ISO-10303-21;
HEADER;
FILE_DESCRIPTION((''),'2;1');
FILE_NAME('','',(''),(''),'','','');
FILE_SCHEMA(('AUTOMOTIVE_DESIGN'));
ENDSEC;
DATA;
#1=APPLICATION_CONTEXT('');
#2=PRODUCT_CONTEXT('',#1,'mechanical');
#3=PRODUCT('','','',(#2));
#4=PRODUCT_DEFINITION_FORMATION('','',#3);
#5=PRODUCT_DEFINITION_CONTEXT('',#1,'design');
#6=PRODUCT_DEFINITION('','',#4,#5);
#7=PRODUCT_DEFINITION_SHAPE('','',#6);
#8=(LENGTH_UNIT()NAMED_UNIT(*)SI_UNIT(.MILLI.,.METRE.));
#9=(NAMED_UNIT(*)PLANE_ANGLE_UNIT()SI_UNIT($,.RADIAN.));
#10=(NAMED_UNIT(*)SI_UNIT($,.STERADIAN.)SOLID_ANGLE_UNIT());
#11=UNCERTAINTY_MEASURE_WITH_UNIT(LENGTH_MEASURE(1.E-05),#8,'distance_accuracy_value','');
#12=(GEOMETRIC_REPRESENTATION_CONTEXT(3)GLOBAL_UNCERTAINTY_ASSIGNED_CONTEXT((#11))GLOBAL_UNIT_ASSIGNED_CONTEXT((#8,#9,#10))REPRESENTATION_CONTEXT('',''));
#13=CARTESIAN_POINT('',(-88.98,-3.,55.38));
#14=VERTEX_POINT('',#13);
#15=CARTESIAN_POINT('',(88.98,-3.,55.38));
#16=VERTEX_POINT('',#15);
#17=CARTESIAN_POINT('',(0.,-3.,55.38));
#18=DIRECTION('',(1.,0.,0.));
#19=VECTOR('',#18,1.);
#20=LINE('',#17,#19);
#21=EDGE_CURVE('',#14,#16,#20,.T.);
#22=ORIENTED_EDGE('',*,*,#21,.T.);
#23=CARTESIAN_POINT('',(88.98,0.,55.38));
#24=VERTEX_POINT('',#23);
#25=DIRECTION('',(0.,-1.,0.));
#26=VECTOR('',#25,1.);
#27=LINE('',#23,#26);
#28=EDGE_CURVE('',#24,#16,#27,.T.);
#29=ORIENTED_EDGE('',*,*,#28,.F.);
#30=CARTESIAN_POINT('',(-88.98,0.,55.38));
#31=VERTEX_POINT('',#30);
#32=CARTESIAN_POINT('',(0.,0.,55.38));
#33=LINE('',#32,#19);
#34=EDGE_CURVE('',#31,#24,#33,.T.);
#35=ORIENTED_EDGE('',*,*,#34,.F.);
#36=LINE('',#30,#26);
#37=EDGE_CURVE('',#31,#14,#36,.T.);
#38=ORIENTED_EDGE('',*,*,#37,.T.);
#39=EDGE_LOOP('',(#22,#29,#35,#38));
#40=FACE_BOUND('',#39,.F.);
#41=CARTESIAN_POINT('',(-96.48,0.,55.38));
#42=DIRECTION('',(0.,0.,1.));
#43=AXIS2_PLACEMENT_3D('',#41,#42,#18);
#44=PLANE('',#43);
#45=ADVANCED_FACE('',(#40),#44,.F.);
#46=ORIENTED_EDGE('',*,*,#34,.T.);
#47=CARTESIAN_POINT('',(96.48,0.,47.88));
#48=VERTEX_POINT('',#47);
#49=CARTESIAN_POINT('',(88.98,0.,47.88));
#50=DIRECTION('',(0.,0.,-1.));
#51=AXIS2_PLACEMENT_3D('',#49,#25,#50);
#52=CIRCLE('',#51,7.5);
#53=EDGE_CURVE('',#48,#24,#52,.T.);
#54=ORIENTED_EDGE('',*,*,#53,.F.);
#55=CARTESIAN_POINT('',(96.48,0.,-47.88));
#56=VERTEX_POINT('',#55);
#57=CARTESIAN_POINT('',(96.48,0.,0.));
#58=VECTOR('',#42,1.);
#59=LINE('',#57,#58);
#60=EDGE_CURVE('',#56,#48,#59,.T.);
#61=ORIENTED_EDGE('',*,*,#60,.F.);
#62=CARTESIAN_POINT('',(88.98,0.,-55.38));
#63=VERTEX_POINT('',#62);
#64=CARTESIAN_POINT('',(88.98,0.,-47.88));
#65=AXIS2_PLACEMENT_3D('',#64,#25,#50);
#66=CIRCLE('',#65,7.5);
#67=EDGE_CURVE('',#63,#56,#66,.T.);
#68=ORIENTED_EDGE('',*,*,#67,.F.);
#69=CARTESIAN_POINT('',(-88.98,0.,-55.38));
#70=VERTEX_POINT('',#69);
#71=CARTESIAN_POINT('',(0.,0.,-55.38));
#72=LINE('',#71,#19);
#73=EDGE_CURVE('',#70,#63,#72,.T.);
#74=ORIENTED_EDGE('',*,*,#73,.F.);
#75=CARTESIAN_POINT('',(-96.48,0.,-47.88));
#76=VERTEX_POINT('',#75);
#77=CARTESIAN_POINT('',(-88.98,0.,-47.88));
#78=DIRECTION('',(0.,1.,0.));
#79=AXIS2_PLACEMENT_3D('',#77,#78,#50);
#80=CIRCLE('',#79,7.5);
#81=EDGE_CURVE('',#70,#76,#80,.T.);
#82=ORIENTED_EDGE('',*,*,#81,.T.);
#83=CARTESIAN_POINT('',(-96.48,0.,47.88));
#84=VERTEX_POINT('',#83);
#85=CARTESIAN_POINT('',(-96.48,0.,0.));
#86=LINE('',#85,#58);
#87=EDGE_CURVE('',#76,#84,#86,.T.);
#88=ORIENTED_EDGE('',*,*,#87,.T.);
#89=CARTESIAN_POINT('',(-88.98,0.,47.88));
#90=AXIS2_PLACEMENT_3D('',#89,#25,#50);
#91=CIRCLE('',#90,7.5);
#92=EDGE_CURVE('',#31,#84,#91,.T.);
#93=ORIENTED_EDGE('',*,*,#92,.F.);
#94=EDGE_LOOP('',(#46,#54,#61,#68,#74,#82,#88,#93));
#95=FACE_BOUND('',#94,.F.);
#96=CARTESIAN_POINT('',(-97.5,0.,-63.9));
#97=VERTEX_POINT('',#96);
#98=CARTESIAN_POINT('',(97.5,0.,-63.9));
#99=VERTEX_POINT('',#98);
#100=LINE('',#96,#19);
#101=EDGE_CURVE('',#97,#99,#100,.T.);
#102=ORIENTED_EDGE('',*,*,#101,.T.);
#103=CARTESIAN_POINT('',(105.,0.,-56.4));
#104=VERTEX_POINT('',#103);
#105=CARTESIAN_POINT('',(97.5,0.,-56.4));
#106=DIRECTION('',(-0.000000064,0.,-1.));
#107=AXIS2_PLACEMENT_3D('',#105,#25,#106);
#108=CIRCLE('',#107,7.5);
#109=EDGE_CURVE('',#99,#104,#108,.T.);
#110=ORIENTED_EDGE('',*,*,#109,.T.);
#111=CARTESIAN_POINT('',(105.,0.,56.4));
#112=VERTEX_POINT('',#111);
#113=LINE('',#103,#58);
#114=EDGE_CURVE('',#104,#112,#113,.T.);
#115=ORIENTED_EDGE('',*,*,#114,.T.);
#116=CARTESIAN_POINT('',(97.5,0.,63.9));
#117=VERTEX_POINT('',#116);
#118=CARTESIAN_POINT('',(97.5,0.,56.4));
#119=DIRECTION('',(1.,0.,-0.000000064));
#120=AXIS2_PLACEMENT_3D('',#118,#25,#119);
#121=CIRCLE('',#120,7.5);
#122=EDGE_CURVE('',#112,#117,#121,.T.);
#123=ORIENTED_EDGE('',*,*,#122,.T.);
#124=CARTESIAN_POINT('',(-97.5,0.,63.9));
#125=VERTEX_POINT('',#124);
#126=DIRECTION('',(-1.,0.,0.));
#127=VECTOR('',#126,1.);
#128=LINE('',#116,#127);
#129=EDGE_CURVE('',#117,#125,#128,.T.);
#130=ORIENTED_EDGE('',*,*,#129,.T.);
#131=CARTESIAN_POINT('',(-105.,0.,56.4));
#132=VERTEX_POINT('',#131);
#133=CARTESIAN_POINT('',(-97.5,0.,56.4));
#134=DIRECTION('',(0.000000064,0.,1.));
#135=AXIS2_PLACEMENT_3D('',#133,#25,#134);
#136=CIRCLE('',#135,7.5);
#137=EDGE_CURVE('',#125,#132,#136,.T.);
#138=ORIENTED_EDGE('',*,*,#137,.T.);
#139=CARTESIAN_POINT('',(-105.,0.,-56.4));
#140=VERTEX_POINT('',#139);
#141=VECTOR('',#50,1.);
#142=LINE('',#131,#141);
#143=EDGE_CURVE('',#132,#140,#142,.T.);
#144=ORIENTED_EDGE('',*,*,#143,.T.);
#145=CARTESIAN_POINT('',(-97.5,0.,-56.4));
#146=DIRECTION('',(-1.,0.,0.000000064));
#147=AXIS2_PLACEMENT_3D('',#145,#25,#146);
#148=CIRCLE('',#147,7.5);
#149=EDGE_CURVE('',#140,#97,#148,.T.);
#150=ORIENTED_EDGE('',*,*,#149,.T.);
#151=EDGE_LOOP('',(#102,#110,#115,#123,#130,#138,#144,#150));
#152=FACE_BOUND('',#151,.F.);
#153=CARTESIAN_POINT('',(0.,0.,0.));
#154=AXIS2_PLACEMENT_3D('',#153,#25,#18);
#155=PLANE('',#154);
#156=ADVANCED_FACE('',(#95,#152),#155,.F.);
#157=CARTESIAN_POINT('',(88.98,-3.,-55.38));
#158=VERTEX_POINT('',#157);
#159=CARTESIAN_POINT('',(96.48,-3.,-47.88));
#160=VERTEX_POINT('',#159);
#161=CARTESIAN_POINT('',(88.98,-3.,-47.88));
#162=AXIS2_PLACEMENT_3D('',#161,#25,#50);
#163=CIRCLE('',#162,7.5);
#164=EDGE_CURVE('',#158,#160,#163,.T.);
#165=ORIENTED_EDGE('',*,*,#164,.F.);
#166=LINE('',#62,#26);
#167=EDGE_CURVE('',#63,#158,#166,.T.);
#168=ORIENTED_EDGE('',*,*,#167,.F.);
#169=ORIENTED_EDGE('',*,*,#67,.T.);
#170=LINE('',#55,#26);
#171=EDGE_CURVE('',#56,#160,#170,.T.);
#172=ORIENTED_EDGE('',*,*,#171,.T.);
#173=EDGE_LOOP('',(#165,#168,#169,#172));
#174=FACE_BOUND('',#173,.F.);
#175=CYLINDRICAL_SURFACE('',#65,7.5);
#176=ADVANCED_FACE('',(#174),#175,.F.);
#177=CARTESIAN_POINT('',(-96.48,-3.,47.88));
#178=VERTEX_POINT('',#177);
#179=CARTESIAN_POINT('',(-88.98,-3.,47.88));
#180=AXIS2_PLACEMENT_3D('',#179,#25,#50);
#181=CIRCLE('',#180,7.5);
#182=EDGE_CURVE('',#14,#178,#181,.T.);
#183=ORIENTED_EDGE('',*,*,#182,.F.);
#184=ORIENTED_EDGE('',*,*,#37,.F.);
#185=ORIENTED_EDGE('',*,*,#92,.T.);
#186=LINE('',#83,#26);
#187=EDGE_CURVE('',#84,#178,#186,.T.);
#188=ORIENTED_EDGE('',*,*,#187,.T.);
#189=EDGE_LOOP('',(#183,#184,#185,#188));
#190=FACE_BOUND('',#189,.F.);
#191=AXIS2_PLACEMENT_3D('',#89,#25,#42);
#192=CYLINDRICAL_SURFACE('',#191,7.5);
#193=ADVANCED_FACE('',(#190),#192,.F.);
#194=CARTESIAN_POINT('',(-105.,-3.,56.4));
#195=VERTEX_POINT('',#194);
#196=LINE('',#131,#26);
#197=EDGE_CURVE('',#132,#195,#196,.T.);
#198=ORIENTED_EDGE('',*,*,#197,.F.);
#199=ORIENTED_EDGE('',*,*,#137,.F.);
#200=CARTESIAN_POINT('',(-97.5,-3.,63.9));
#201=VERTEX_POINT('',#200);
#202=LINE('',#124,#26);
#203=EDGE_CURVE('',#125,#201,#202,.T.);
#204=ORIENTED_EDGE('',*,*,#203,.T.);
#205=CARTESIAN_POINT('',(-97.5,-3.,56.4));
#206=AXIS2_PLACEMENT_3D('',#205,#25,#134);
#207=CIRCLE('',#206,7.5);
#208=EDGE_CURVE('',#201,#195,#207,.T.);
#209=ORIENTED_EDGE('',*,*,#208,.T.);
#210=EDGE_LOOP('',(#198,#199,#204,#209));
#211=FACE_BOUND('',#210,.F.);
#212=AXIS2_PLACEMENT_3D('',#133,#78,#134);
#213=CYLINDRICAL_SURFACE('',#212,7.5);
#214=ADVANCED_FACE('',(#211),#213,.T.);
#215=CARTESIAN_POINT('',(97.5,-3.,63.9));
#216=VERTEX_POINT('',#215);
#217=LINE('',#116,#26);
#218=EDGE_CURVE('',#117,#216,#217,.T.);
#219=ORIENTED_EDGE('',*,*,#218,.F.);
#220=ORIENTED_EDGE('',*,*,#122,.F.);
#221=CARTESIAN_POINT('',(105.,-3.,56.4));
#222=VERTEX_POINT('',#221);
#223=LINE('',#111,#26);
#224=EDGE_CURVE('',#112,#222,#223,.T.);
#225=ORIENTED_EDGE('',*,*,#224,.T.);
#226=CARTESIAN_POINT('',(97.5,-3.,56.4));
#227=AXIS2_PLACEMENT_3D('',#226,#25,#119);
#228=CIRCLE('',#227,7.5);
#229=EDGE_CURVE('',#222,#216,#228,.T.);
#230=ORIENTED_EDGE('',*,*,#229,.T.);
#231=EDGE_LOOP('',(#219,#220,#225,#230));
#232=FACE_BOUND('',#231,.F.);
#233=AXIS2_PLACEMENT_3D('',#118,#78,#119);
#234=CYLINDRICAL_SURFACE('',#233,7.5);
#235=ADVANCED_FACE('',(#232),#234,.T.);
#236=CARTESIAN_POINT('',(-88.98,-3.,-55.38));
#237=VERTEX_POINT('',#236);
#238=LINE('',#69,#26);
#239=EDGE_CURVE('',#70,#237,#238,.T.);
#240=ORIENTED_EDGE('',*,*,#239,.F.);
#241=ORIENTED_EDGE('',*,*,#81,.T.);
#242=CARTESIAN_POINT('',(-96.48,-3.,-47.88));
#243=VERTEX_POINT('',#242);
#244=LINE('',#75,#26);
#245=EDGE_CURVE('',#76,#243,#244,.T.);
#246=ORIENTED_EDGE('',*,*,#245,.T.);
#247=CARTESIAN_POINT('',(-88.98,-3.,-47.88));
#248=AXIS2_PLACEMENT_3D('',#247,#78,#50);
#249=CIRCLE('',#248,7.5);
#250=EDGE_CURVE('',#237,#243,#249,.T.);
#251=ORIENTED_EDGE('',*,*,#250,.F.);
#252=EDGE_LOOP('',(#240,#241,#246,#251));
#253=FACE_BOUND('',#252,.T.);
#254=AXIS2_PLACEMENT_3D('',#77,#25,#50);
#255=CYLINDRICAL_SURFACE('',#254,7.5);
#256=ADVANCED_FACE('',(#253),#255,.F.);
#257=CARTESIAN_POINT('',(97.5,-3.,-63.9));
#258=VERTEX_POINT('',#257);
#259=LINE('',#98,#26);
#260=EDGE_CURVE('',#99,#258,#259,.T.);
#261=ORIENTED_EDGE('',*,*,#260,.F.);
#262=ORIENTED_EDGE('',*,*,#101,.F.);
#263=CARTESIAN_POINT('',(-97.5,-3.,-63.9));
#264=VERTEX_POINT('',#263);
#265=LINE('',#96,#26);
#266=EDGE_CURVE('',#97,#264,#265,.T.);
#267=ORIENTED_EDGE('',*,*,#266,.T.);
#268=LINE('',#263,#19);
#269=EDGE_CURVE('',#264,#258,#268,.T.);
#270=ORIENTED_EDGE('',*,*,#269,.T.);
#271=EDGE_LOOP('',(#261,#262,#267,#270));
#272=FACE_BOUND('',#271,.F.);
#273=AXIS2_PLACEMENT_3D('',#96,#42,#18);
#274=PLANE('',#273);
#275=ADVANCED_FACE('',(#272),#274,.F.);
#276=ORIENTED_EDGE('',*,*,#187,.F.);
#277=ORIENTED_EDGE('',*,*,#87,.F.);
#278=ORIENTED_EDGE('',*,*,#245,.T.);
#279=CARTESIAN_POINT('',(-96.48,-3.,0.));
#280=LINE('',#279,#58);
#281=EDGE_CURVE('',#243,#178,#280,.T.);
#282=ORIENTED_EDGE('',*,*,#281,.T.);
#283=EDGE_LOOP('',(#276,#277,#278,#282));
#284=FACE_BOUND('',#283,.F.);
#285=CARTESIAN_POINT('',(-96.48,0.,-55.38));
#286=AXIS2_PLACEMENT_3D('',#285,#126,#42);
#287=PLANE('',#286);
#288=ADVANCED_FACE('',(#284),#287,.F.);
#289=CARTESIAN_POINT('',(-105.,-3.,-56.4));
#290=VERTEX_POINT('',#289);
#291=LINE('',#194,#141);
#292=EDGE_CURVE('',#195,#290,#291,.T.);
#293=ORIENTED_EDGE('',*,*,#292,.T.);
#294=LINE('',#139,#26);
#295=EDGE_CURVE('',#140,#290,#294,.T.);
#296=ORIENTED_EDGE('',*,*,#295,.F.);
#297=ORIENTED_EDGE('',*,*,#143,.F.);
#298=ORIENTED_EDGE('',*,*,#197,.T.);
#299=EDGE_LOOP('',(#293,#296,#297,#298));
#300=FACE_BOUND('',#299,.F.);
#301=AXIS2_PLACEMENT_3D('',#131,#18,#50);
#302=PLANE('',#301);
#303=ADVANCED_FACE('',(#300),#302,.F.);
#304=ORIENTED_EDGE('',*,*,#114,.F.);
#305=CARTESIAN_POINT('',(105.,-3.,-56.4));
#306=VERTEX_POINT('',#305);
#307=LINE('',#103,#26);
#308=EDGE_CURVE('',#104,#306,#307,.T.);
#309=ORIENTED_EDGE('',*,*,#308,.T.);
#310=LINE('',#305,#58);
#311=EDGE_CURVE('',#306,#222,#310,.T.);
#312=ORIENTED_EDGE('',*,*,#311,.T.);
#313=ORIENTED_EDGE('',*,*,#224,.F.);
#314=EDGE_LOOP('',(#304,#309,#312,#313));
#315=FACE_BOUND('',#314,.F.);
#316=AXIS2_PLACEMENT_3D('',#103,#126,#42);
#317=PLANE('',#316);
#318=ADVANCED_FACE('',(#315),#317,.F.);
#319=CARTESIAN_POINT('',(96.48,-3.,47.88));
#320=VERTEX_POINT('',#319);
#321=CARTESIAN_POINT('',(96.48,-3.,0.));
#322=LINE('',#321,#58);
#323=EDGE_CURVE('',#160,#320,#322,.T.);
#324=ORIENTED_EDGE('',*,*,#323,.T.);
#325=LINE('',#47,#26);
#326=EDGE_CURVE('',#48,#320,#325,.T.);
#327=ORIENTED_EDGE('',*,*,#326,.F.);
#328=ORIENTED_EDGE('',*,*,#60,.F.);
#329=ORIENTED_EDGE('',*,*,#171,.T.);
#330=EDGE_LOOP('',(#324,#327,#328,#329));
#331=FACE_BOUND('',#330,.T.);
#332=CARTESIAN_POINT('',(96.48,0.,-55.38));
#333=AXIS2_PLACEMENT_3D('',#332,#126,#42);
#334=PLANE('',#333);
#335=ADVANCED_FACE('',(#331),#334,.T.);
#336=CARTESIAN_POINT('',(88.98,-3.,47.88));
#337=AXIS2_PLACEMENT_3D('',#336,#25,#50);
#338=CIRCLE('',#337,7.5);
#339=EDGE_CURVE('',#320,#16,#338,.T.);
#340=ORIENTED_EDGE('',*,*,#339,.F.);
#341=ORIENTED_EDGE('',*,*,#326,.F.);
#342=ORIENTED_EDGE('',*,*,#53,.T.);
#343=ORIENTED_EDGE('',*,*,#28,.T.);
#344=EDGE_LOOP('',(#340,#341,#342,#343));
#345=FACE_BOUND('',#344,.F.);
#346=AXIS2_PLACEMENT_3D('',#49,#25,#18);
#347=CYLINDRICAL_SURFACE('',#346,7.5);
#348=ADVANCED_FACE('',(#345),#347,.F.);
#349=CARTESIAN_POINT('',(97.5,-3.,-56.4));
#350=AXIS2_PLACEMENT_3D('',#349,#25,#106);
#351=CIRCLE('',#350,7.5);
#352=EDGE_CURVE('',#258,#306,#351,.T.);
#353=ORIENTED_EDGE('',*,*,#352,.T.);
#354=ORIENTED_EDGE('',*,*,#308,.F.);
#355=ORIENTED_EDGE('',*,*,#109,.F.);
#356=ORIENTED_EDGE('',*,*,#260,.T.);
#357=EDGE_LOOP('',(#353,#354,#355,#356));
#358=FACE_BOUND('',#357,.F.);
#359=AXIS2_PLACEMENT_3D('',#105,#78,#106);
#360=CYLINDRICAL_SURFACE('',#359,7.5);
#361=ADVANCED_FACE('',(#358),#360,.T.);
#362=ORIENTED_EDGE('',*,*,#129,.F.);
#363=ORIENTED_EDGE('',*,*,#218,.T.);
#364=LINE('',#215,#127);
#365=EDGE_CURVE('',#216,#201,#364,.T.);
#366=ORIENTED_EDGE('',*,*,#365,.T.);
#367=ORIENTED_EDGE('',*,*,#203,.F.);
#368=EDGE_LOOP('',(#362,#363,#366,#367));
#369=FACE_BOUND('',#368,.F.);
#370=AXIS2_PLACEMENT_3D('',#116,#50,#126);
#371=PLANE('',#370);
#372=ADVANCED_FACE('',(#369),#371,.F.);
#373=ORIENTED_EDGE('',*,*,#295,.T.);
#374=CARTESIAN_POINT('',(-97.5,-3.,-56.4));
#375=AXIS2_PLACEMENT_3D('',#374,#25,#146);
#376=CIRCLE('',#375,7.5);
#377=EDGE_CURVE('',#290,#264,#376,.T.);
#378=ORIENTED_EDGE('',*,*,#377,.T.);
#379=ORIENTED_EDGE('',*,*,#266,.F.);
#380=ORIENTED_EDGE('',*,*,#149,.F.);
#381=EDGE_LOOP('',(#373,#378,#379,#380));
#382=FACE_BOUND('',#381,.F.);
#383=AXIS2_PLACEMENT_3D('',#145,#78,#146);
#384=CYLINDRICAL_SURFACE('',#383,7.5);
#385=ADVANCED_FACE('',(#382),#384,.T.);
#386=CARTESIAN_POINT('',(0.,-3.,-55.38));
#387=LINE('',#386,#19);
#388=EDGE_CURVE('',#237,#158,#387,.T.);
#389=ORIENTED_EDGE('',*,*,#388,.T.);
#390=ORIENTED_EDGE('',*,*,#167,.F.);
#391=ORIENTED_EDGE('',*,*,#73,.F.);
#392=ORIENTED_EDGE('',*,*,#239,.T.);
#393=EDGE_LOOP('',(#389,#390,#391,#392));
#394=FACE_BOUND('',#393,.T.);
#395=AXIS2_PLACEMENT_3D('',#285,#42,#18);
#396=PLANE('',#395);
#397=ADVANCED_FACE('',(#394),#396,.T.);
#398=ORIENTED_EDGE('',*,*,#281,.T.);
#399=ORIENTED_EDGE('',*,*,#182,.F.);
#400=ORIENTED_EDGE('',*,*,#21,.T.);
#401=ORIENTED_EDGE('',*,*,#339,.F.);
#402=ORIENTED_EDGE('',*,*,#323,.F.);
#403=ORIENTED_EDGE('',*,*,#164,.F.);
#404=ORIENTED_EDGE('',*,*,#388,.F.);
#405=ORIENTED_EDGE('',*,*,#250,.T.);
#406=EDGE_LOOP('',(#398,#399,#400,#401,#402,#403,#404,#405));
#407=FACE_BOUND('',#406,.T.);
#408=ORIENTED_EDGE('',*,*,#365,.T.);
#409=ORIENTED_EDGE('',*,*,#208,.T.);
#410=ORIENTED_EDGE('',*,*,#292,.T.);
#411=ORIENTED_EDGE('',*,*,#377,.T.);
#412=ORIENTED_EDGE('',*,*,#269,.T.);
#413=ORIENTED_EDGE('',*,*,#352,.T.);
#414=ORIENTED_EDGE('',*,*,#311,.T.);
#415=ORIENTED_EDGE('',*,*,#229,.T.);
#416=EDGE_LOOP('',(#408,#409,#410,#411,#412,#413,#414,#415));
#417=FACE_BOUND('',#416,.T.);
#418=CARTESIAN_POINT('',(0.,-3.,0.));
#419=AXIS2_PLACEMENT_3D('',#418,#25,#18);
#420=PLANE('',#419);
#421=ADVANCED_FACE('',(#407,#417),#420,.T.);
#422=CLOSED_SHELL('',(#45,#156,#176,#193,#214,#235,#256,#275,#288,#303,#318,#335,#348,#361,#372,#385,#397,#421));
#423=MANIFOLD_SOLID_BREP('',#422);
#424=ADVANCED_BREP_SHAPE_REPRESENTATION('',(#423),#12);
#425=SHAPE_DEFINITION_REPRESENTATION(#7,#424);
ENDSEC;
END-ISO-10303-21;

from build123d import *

# Parameters (mm, degrees)
F0_W     = 192.96
F0_H     = 110.76
F1_DEPTH = 3
F2_R     = 7.5


with BuildPart() as f1:
    # F0 (on Front) → F1 (new body)
    with BuildSketch(Plane.XZ):
        with BuildLine():
            ThreePointArc((105, 56.4), (102.803301, 61.703301), (97.5, 63.9))
            Line((97.5, 63.9), (-97.5, 63.9))
            ThreePointArc((-97.5, 63.9), (-102.803301, 61.703301), (-105, 56.4))
            Line((-105, 56.4), (-105, -56.4))
            ThreePointArc((-105, -56.4), (-102.803301, -61.703301), (-97.5, -63.9))
            Line((-97.5, -63.9), (97.5, -63.9))
            ThreePointArc((97.5, -63.9), (102.803301, -61.703301), (105, -56.4))
            Line((105, -56.4), (105, 56.4))
        make_face()
        Rectangle(F0_W, F0_H, mode=Mode.SUBTRACT)
    extrude(amount=F1_DEPTH)

    # F2
    f2_edges = [f1.edges().sort_by_distance(p)[0] for p in [
        (96.48, -1.5, 55.38),
        (-96.48, -1.5, 55.38),
        (-96.48, -1.5, -55.38),
        (96.48, -1.5, -55.38),
    ]]
    fillet(f2_edges, radius=F2_R)


solid = f1.part
